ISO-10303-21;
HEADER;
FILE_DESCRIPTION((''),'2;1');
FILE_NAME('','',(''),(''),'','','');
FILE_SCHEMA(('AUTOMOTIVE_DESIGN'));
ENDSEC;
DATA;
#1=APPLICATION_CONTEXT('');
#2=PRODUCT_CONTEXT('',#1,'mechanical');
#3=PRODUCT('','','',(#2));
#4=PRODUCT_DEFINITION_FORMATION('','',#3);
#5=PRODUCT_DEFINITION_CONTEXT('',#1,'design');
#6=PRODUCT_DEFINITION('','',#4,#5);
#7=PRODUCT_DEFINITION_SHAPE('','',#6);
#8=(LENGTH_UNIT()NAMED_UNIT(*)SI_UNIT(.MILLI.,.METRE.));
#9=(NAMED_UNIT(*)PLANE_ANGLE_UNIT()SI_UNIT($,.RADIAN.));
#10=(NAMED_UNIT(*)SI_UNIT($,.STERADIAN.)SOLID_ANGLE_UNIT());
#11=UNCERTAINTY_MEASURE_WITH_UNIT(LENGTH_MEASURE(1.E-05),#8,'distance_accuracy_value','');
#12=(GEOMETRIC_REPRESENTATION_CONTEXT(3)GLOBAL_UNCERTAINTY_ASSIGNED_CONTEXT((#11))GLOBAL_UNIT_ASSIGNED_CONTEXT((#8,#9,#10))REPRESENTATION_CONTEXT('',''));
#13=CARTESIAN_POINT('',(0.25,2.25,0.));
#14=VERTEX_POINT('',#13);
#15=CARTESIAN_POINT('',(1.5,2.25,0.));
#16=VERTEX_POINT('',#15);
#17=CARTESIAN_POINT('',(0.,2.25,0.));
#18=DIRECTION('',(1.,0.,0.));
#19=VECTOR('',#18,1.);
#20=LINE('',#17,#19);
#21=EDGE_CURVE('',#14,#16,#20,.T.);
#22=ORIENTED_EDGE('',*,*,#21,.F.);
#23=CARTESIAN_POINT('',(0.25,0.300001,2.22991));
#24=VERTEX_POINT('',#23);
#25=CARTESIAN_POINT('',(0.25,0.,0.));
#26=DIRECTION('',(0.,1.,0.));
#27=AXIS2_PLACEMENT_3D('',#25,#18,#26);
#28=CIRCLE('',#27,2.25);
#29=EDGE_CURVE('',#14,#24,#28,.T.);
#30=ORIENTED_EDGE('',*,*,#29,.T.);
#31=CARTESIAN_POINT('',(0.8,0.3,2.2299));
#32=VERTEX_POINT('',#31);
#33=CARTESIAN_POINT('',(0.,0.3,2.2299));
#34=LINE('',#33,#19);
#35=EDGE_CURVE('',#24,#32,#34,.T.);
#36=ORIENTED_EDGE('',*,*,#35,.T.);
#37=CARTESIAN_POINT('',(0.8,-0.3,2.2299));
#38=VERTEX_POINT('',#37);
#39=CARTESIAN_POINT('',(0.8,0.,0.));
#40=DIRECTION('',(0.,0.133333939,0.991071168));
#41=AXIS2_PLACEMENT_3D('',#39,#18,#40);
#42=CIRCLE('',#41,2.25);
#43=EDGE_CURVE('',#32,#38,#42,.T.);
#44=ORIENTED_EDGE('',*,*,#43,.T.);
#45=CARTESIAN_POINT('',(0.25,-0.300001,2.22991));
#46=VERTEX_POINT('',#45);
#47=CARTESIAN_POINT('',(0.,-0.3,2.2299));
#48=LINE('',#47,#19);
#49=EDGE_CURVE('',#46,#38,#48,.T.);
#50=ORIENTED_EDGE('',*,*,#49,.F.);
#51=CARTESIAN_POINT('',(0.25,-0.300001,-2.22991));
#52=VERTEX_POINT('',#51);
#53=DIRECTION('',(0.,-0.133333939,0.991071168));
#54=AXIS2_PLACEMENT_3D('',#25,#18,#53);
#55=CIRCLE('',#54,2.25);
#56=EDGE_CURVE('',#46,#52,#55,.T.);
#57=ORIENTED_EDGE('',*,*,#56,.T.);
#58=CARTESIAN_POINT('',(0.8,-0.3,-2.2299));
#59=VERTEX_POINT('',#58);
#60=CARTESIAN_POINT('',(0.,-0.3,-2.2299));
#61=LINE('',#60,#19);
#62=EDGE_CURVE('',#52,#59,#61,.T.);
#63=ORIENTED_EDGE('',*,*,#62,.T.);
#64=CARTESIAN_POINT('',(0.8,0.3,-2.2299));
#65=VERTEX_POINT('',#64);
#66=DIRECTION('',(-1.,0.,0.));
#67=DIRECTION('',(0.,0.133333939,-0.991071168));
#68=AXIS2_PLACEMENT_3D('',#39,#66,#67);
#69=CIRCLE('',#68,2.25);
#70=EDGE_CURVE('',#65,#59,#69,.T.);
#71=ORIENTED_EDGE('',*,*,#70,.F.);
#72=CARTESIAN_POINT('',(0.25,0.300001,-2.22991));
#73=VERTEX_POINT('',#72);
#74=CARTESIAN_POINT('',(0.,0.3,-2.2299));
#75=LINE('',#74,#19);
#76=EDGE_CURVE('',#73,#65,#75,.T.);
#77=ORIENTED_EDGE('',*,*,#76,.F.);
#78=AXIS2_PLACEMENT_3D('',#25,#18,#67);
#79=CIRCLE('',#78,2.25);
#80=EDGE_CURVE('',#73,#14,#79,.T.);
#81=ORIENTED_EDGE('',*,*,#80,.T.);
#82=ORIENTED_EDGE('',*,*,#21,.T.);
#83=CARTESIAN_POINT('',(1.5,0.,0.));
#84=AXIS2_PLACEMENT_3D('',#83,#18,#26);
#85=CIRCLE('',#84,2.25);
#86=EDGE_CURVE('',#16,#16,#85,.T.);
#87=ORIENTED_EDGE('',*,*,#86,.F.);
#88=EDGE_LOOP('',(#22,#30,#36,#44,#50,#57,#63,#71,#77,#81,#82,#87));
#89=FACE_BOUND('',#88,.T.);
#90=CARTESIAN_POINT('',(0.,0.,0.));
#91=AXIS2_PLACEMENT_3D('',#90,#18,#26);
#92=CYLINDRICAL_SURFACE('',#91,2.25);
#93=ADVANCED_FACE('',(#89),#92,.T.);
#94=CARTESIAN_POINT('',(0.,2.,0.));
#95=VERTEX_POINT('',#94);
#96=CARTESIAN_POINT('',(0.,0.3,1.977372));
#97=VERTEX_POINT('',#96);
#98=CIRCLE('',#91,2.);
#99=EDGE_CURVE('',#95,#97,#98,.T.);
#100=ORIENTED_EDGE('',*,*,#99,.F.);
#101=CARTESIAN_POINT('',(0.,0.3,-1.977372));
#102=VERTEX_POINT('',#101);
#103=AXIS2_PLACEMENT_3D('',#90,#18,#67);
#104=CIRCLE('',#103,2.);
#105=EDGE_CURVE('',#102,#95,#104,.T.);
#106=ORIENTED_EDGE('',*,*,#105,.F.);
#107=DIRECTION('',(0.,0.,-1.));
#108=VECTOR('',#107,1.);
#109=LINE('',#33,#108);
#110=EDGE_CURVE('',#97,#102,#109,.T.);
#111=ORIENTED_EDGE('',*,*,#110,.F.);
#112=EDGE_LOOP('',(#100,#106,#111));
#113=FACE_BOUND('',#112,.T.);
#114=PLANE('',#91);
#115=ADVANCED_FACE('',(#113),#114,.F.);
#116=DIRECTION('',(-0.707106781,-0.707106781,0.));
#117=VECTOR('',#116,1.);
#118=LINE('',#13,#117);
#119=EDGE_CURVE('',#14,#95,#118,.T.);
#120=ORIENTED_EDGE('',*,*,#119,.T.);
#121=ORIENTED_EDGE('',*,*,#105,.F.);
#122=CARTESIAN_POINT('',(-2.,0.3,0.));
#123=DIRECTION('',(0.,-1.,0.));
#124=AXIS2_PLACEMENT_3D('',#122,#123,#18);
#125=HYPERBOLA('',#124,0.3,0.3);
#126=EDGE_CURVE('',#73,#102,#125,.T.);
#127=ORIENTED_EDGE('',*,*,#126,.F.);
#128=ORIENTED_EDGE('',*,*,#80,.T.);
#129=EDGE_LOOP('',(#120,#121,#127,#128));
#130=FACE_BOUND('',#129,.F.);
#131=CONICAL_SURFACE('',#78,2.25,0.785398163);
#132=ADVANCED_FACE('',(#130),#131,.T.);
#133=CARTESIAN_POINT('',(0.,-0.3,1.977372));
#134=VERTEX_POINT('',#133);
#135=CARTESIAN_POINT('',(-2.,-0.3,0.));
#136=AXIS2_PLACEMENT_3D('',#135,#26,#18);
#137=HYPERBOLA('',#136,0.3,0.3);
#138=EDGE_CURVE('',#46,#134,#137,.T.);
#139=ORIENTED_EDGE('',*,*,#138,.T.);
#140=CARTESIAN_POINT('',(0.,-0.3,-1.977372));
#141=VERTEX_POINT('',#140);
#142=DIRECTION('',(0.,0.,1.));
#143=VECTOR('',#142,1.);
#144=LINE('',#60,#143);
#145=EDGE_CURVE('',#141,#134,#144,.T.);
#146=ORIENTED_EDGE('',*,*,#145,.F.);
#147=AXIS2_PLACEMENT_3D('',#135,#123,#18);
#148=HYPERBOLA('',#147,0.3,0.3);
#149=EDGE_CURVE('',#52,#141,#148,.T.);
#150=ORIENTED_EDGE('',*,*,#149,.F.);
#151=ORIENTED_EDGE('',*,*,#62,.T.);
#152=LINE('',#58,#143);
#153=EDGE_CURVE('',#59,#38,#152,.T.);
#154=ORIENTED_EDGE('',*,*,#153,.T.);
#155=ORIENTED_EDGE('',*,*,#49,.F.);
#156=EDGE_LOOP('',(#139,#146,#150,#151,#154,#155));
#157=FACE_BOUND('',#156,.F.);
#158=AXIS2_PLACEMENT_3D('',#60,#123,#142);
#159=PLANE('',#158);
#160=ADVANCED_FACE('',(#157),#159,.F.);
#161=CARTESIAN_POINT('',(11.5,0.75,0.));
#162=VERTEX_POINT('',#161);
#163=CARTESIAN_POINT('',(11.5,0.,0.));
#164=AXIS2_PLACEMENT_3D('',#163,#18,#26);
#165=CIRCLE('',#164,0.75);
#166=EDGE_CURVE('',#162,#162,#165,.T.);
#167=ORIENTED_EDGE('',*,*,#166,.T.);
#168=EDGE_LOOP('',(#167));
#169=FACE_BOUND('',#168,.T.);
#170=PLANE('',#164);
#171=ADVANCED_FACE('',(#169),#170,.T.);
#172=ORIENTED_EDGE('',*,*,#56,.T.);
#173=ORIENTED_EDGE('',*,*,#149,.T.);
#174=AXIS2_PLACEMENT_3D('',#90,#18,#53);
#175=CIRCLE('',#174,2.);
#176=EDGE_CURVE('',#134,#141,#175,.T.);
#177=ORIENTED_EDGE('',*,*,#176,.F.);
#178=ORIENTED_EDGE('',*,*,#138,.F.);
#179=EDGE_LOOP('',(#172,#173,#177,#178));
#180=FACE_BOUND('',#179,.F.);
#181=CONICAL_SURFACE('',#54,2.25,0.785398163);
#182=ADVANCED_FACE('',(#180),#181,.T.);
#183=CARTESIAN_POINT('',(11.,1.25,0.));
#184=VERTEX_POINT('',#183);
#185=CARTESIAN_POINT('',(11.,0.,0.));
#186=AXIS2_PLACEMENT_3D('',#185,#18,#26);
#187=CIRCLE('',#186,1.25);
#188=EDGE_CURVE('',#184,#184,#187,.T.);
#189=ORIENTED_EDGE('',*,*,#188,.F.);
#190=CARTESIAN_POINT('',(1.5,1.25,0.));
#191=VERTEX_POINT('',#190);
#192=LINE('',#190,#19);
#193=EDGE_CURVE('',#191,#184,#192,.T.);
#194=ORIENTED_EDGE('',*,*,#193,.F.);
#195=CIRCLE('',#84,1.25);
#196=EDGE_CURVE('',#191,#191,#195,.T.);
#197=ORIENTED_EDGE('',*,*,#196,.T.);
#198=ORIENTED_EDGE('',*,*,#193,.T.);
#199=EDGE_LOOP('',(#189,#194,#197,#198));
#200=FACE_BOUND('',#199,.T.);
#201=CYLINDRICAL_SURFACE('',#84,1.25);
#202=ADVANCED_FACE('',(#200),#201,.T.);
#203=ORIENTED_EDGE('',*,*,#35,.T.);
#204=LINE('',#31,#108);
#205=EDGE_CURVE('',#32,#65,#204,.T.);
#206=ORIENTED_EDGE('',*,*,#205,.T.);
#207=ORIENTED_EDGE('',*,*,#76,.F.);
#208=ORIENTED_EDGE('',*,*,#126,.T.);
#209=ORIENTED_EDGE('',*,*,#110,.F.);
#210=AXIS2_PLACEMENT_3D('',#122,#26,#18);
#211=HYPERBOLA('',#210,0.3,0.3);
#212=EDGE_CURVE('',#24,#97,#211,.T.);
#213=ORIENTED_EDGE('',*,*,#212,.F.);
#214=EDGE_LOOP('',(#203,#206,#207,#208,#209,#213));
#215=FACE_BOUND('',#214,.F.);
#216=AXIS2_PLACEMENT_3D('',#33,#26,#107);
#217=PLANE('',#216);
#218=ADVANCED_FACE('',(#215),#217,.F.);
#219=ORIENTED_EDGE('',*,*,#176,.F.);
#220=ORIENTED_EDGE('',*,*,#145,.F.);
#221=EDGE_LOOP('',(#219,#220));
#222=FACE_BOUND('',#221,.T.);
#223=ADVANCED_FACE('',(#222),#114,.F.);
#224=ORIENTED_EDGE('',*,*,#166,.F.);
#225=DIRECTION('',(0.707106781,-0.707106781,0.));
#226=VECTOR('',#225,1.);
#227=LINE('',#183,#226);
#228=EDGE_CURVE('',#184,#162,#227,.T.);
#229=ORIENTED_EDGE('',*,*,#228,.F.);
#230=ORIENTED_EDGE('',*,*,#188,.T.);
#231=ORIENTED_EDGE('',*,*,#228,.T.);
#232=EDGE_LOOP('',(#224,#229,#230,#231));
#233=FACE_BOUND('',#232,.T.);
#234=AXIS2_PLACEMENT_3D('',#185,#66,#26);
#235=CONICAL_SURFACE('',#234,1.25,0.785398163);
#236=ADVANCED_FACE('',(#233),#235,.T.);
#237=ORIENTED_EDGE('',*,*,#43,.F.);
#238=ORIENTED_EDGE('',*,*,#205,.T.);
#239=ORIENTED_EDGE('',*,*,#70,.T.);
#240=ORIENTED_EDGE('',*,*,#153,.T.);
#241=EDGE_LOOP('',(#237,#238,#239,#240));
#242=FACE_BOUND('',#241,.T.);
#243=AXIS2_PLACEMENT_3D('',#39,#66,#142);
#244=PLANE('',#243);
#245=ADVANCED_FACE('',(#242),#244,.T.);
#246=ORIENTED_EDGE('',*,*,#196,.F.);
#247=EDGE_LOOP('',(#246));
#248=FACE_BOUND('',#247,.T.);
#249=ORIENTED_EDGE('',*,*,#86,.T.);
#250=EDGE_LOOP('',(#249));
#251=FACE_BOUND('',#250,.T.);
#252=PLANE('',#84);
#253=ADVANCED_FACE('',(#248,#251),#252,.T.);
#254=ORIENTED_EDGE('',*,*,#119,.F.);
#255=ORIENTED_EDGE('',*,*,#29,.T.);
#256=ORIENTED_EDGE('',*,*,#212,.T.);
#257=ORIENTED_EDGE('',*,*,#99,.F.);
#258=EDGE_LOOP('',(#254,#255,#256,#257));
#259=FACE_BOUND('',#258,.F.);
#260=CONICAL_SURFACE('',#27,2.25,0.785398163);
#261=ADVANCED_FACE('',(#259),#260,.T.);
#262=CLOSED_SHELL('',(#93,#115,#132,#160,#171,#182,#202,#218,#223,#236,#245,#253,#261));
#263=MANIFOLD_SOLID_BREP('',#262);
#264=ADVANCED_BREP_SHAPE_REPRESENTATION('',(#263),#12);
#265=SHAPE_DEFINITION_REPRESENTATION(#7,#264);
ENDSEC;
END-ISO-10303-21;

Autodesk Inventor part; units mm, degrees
ref_plane "YZ-Ebene" through (0, 0, 0) normal (1, 0, 0) x (0, 1, 0)
ref_plane "XZ-Ebene" through (0, 0, 0) normal (0, 1, 0) x (-1, 0, 0)
ref_plane "XY-Ebene" through (0, 0, 0) normal (0, 0, 1) x (1, 0, 0)
sketch "Skizze1" plane through (0, 0, 0) normal (0, 0, 1) x (1, 0, 0)
  line L0 (-2.3, 0) -> (13.8, 0) projected
  line L1 (0, -0.45) -> (0, 2.7) projected
  line L2 (0, 2.25) -> (1.5, 2.25)
  line L3 (1.5, 2.25) -> (1.5, 1.25)
  line L4 (1.5, 1.25) -> (11.5, 1.25)
  line L5 (11.5, 1.25) -> (11.5, 0)
  point P0 (0, 0)
  dimension "d0" = 1.5
  dimension "d1" = 10
  dimension "d16" = 2.5
  dimension "d17" = 4.5
revolve "Umdrehung1" add sketch "Skizze1" angle 360 about axis through (-10, 0, 0) along (1, 0, 0)
sketch "Skizze2" plane through (0, 0, 0) normal (-1, 0, 0) x (0, 0, 1)
  circle A0 centre (0, 0) radius 2.25 projected
  line L0 (-3.15, 0) -> (3.15, 0) projected
  line L1 (2.2299, 0.3) -> (-2.2299, 0.3)
  line L2 (-2.2299, -0.3) -> (2.2299, -0.3)
  dimension "d5" = 0.6
extrude "Extrusion1" cut sketch "Skizze2" against normal blind 0.8 contours L0 A0 L1 | A0 L2 L0
chamfer "Fase1" distance 0.5 angle 45 1 edges at (11.5, -1.25, 0)
thread "Gewinde1" size "M2.5x0.45" class "6g" standard "ISO Metric profile" length 7.5
chamfer "Fase2" distance 0.25 angle 45 3 edges at (0, -2.25, 0) (0, 1.6937, 1.4811) (0, 1.6937, -1.4811)
properties part number "Schlitzschraube_ra8846s-01" material "Stahl"
